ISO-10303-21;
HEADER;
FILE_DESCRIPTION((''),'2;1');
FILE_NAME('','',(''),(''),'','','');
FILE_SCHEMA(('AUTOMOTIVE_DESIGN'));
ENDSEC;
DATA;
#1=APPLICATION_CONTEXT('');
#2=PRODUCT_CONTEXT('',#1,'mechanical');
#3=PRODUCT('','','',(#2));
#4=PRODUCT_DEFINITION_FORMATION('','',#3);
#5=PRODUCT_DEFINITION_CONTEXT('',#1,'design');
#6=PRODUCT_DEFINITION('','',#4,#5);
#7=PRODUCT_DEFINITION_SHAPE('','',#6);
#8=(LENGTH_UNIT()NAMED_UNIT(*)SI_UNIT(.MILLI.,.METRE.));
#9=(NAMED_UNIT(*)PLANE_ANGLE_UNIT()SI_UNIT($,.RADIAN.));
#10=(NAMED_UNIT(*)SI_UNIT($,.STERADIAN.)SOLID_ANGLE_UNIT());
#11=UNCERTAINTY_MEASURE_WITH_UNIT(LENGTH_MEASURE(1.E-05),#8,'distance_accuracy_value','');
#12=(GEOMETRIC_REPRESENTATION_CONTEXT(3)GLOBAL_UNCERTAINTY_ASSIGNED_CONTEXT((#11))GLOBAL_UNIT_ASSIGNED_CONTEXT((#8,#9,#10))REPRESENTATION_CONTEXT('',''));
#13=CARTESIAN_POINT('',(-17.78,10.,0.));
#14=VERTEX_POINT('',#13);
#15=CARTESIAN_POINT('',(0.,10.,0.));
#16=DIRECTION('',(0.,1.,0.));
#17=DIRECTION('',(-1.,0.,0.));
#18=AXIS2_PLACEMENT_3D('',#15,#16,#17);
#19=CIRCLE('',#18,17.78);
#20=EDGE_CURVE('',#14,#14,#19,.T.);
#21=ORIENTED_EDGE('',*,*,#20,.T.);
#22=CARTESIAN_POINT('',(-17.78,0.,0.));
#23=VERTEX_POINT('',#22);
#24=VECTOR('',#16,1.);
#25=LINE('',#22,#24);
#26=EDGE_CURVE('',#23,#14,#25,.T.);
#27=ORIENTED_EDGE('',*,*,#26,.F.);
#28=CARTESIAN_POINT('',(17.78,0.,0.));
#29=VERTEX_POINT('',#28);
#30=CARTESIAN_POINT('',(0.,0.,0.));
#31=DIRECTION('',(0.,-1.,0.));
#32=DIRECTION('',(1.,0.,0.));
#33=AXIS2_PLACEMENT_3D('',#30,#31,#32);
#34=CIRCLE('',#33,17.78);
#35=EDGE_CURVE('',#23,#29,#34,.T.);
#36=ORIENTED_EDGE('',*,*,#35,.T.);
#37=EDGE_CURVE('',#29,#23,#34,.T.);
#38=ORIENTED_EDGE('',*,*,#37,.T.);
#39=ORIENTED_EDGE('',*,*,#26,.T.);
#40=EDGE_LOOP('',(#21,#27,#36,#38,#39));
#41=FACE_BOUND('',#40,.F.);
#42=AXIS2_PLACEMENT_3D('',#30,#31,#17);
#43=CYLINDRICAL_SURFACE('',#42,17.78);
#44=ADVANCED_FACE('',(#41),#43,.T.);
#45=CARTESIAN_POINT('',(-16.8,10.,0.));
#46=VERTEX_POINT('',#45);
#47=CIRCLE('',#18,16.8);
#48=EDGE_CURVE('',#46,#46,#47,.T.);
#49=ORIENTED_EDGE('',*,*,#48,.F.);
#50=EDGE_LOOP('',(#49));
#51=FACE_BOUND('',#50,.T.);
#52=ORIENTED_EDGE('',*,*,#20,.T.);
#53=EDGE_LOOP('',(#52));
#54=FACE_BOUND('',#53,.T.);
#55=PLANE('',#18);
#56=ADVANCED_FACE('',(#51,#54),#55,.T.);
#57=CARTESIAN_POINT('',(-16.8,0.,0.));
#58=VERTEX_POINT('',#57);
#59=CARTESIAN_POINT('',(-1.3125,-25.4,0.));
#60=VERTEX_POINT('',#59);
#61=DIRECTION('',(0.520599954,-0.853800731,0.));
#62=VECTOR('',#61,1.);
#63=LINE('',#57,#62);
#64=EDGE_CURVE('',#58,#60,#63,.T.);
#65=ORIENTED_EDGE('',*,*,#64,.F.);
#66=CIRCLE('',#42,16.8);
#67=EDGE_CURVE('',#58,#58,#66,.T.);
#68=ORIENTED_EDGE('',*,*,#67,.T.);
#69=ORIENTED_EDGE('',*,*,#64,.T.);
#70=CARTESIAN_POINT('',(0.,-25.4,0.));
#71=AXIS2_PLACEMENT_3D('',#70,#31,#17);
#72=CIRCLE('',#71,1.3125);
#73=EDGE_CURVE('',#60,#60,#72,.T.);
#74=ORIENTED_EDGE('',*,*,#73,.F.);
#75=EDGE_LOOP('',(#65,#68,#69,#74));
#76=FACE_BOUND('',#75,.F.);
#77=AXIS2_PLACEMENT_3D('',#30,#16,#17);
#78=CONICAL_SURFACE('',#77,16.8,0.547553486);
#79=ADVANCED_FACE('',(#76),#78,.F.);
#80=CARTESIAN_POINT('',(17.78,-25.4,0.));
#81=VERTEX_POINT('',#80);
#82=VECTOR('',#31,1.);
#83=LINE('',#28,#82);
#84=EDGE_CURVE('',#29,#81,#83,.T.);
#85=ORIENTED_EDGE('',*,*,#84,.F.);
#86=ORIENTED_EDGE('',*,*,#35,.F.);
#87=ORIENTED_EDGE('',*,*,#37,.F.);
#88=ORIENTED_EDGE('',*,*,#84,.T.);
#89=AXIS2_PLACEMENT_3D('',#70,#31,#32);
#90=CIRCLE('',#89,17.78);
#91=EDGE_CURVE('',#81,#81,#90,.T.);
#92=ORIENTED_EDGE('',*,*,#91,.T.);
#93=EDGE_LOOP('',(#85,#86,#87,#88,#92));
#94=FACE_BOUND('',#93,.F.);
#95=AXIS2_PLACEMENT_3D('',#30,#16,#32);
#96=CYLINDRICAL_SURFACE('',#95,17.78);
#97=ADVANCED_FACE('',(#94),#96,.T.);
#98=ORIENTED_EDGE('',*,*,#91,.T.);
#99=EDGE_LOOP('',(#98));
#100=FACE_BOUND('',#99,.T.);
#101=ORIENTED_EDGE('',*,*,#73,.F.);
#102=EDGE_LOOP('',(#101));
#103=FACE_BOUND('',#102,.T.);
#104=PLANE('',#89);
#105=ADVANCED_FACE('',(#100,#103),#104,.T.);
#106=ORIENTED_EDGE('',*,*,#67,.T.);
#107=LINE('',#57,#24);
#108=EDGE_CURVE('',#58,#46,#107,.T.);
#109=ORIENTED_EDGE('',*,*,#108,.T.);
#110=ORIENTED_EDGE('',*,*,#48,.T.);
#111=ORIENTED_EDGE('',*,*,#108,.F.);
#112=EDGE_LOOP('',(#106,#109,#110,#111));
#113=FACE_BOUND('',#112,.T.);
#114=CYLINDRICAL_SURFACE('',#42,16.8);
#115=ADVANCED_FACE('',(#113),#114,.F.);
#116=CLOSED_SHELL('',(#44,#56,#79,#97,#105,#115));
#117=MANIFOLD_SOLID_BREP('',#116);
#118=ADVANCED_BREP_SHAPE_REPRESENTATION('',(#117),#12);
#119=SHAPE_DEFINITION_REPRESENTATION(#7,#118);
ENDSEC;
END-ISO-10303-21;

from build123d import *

# Parameters (mm, degrees)
F0_R     = 17.78
F1_DEPTH = 25.4
F4_R     = 17.78
F4_R_2   = 16.8
F5_DEPTH = 10


with BuildPart() as f1:
    # F0 (on Front) → F1 (new body)
    with BuildSketch(Plane.XZ):
        Circle(F0_R)
    extrude(amount=F1_DEPTH)

    # F2 (on Top) → F3 (revolve, cut)
    with BuildSketch(Plane.XY):
        Polygon((0, -25.4), (0, 0), (-16.8, 0), (-1.3125, -25.4), align=None)
    revolve(axis=Axis((0, -12.7, 0), (0, -1, 0)), mode=Mode.SUBTRACT)

    # F4 (on face) → F5 (join)
    with BuildSketch(Plane(origin=(0, 0, 0), x_dir=(-1, 0, 0), z_dir=(0, 1, 0))):
        Circle(F4_R)
        Circle(F4_R_2, mode=Mode.SUBTRACT)
    extrude(amount=F5_DEPTH)


solid = f1.part
